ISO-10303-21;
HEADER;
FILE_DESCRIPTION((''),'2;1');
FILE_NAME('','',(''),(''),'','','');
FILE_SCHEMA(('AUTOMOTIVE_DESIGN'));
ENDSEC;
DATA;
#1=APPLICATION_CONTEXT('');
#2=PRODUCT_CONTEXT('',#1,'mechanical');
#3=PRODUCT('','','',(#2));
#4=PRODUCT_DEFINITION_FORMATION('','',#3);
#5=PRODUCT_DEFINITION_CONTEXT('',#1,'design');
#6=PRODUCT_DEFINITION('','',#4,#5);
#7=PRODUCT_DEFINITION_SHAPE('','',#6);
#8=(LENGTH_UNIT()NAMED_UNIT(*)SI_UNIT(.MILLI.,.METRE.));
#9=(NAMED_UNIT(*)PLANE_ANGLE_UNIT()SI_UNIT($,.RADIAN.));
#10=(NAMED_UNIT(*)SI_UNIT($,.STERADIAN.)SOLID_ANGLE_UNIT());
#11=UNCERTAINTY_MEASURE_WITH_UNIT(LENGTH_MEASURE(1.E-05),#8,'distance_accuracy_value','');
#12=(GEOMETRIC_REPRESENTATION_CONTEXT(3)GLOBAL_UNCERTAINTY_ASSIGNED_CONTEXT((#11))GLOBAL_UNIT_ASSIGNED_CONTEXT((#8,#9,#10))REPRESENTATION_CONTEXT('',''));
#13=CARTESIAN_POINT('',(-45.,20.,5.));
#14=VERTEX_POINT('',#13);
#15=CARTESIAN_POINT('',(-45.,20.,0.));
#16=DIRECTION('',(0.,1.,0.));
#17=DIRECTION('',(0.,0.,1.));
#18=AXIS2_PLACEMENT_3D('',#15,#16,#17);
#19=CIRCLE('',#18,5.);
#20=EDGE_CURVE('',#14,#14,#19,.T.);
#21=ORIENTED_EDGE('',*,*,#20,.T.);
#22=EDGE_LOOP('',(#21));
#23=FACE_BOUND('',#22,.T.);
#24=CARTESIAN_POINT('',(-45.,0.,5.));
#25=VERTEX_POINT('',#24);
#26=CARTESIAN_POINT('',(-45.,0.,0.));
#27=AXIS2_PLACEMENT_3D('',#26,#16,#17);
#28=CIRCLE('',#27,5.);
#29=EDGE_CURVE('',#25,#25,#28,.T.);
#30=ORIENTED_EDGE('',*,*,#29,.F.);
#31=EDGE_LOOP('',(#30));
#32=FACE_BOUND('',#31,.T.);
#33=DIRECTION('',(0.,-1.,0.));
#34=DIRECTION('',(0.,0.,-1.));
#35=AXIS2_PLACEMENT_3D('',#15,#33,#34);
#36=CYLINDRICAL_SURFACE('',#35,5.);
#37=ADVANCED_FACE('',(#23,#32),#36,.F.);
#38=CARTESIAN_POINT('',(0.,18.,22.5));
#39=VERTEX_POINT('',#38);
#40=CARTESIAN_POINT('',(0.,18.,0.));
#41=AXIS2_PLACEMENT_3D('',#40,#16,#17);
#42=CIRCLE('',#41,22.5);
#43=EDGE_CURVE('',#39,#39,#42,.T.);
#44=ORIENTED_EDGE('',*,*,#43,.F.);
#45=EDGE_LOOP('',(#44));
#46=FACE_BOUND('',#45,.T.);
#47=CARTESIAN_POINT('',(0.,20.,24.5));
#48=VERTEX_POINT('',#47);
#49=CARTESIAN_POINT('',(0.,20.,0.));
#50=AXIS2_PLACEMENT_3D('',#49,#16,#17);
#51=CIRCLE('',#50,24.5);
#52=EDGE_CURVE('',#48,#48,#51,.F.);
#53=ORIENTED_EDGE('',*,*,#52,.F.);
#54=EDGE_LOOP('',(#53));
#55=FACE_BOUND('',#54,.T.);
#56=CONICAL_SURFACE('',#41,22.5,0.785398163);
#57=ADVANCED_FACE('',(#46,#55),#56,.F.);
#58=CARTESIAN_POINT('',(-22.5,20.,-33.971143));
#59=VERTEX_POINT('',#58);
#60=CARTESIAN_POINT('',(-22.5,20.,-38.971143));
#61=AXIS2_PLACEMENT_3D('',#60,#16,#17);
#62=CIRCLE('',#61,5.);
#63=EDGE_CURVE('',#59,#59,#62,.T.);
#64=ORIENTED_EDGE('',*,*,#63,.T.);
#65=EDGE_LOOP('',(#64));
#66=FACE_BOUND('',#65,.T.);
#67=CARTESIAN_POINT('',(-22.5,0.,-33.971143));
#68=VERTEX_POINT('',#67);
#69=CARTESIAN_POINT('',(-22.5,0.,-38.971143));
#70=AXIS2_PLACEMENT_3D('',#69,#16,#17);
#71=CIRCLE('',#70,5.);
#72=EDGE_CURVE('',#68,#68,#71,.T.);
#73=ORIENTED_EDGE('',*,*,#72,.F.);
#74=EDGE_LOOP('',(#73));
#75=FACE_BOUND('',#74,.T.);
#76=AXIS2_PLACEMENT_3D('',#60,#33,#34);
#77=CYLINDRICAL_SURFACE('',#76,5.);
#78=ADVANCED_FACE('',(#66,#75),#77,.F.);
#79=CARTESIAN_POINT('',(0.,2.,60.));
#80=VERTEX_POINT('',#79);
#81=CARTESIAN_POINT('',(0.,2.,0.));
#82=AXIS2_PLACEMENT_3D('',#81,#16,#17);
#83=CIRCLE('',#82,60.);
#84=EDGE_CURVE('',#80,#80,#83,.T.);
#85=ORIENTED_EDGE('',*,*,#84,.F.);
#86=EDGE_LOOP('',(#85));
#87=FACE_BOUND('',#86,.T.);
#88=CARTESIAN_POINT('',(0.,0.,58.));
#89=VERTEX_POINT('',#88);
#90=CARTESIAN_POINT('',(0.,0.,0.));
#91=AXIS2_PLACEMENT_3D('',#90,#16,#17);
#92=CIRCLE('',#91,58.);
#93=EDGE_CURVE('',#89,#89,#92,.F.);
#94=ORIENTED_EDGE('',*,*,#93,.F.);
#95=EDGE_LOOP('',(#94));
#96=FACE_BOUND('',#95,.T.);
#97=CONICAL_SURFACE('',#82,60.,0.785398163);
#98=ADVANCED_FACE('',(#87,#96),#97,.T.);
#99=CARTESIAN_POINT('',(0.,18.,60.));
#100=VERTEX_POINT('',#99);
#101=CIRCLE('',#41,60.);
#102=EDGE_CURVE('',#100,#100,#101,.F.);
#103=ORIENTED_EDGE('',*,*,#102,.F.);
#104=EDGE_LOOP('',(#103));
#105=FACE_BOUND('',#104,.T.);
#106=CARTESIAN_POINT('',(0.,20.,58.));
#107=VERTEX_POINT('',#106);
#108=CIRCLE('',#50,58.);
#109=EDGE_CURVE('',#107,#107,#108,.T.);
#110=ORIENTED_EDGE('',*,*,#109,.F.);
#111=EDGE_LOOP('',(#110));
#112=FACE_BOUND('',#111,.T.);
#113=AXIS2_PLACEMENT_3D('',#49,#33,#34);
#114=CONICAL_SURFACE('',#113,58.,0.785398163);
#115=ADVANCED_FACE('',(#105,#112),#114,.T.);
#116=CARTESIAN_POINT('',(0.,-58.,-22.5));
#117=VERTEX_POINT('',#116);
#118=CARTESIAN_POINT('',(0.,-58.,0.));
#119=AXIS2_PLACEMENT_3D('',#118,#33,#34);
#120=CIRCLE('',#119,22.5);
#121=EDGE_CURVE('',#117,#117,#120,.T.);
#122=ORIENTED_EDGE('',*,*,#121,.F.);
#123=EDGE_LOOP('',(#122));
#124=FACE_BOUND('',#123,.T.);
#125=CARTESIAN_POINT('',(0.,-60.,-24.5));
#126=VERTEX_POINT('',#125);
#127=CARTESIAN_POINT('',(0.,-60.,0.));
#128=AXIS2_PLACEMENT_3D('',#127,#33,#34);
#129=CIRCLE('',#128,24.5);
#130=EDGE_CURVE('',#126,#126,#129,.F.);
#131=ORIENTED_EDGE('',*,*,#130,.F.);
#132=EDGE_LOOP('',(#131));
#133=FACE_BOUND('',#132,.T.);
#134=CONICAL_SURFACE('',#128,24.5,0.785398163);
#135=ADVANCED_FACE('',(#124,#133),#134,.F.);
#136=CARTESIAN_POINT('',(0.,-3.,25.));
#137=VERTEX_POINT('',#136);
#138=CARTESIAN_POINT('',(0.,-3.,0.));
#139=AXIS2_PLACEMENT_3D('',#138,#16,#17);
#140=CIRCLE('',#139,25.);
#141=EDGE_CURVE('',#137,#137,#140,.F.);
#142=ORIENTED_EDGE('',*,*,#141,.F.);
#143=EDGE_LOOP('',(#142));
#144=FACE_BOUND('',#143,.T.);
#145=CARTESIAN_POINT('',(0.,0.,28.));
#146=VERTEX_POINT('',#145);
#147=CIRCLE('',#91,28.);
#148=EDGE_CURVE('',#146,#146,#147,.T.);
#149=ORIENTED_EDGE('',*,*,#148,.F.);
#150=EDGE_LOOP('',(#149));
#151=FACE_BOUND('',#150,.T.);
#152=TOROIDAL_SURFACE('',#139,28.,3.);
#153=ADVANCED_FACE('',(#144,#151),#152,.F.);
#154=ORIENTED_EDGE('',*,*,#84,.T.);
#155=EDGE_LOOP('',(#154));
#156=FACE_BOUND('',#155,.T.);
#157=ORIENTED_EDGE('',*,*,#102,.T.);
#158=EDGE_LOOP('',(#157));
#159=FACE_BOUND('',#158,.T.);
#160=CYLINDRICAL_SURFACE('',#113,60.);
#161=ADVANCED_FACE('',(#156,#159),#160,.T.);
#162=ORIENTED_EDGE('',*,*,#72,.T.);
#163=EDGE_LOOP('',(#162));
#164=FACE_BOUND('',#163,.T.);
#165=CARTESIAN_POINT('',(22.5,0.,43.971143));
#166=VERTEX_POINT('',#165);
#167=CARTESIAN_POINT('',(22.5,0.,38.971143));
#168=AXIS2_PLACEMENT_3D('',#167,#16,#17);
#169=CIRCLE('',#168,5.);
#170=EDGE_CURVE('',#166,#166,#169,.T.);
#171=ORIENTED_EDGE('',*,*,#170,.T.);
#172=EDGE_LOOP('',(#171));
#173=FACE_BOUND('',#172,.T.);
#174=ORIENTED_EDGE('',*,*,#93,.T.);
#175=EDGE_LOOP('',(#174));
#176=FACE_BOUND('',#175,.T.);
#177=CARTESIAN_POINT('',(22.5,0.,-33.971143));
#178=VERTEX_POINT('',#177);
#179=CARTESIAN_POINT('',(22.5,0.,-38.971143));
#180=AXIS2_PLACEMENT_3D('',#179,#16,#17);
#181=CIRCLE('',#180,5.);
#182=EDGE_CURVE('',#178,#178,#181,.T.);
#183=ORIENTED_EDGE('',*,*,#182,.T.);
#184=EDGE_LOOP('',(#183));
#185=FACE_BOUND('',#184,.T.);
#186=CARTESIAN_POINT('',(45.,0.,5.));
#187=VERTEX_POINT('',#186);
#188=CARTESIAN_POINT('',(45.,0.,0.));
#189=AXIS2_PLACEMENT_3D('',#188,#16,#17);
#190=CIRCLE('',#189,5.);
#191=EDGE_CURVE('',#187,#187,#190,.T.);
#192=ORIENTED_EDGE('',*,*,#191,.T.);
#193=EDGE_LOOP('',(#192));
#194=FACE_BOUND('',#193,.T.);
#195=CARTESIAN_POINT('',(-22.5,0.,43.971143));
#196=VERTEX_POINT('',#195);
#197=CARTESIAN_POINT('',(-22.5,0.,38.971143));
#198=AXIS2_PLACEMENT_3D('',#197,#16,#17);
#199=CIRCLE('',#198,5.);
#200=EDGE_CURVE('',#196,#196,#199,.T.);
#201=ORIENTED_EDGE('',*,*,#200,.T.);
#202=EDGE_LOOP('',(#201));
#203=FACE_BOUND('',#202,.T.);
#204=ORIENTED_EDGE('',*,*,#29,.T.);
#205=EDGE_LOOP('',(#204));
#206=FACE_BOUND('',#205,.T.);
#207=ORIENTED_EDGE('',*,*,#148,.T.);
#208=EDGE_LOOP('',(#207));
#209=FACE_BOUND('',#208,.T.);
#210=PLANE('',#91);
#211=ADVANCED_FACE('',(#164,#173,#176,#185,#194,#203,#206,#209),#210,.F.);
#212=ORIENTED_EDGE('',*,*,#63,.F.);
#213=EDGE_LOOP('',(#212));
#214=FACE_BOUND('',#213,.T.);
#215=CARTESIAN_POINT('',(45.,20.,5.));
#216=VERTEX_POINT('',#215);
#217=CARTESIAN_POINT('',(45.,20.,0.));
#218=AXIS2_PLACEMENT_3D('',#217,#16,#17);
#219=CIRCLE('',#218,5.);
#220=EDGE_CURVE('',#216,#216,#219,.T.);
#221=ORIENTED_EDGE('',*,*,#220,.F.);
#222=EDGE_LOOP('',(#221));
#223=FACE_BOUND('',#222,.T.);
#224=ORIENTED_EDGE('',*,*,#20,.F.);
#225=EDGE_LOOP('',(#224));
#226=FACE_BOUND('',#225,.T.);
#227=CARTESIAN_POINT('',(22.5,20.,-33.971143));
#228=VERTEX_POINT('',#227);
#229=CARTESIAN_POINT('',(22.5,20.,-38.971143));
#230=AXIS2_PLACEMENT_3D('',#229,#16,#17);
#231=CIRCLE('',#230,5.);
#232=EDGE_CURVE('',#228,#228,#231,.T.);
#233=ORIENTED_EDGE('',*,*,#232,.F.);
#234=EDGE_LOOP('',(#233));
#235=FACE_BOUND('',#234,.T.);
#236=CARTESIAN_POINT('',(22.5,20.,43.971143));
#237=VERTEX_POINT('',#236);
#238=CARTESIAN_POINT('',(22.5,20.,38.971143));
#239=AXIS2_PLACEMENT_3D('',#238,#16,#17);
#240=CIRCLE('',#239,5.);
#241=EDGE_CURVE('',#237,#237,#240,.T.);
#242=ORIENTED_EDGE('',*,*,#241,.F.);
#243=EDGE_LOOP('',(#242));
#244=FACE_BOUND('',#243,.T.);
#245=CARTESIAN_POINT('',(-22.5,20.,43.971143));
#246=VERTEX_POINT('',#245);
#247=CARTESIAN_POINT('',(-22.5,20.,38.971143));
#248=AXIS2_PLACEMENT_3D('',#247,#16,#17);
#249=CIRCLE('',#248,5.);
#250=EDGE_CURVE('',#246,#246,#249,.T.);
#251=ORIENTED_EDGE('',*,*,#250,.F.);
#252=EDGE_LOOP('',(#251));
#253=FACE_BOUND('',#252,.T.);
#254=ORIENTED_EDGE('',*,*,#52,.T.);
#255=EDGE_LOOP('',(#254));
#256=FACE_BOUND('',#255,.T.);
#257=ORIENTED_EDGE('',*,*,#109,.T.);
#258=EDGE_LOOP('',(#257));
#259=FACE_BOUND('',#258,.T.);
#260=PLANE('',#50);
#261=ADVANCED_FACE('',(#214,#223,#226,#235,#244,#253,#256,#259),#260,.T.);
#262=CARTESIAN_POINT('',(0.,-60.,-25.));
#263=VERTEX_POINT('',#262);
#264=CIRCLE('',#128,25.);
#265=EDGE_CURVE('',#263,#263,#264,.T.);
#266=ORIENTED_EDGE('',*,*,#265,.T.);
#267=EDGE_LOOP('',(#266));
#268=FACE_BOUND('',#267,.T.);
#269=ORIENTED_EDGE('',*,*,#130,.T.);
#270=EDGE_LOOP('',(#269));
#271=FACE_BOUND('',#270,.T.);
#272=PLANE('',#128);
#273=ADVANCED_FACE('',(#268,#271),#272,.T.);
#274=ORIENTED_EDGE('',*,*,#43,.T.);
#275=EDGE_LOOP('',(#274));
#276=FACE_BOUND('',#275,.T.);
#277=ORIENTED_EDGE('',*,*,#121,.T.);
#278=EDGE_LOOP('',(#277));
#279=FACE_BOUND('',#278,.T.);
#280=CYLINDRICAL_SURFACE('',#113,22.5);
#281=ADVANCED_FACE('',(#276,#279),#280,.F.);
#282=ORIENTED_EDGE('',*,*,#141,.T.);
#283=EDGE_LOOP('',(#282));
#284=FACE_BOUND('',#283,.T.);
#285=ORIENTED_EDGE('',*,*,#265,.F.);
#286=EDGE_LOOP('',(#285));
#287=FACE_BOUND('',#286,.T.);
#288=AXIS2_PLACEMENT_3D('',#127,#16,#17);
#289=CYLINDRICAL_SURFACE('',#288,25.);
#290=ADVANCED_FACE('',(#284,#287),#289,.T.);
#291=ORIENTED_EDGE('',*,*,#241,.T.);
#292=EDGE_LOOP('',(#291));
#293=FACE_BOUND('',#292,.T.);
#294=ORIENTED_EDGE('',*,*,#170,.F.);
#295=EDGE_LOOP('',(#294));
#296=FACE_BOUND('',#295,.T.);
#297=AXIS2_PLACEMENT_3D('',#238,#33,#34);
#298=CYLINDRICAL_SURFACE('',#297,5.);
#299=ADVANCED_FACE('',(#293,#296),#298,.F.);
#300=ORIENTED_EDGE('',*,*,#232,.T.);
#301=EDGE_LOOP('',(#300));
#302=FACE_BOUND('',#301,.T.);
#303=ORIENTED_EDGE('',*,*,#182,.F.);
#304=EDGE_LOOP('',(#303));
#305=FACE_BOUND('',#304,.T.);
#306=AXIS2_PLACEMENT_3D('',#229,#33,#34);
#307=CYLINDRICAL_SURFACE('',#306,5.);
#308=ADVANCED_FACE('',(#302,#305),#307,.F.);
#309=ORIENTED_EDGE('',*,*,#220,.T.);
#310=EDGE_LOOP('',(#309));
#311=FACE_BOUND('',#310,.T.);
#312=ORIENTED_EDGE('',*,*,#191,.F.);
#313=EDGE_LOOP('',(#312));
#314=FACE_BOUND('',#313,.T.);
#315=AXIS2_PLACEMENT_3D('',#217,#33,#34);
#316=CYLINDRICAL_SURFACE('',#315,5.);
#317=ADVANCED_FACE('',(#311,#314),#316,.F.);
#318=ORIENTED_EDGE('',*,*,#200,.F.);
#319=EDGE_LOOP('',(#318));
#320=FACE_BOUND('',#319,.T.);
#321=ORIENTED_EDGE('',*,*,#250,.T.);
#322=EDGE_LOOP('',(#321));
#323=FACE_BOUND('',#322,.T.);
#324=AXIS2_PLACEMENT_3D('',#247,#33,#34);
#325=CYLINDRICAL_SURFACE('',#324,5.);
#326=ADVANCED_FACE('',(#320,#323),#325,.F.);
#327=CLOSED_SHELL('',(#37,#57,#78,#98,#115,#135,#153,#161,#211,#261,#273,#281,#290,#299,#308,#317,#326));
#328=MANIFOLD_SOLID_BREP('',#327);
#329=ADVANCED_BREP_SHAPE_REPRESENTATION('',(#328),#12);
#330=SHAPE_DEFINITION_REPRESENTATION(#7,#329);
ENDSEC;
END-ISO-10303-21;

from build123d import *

# Parameters (mm, degrees)
SKETCH2_R           = 60
SKETCH2_R_2         = 22.5
SKETCH2_R_3         = 5
BOSS_EXTRUDE1_DEPTH = 20
CHAMFER1_SIZE       = 2
CHAMFER2_SIZE       = 2
SKETCH3_R           = 25
BOSS_EXTRUDE2_DEPTH = 60
FILLET1_R           = 3
CUT_EXTRUDE1_START  = -60
SKETCH2_2_R         = 22.5
CUT_EXTRUDE1_DEPTH  = 60
CHAMFER3_SIZE       = 2
CHAMFER4_SIZE       = 2


with BuildPart() as part:
    # Sketch2 → Boss-Extrude1 (new body)
    with BuildSketch(Plane(origin=(0, 0, 0), x_dir=(1, 0, 0), z_dir=(0, 1, 0))):
        Circle(SKETCH2_R)
        Circle(SKETCH2_R_2, mode=Mode.SUBTRACT)
        with Locations((45, 0)):
            Circle(SKETCH2_R_3, mode=Mode.SUBTRACT)
        with Locations((22.5, -38.97114317)):
            Circle(SKETCH2_R_3, mode=Mode.SUBTRACT)
        with Locations((-22.5, -38.97114317)):
            Circle(SKETCH2_R_3, mode=Mode.SUBTRACT)
        with Locations((-45, 0)):
            Circle(SKETCH2_R_3, mode=Mode.SUBTRACT)
        with Locations((-22.5, 38.97114317)):
            Circle(SKETCH2_R_3, mode=Mode.SUBTRACT)
        with Locations((22.5, 38.97114317)):
            Circle(SKETCH2_R_3, mode=Mode.SUBTRACT)
    extrude(amount=BOSS_EXTRUDE1_DEPTH)

    # Chamfer1
    chamfer1_edges = [part.edges().sort_by_distance(p)[0] for p in [
        (-60, 20, 0),
    ]]
    chamfer(chamfer1_edges, length=CHAMFER1_SIZE)

    # Chamfer2
    chamfer2_edges = [part.edges().sort_by_distance(p)[0] for p in [
        (-22.5, 20, 0),
    ]]
    chamfer(chamfer2_edges, length=CHAMFER2_SIZE)

    # Sketch3 → Boss-Extrude2 (add)
    with BuildSketch(Plane(origin=(0, 0, 0), x_dir=(-1, 0, 0), z_dir=(0, -1, 0))):
        Circle(SKETCH3_R)
    extrude(amount=BOSS_EXTRUDE2_DEPTH)

    # Fillet1
    fillet1_edges = [part.edges().sort_by_distance(p)[0] for p in [
        (25, 0, 0),
    ]]
    fillet(fillet1_edges, radius=FILLET1_R)

    # Sketch2<2> → Cut-Extrude1 (cut)
    with BuildSketch(Plane(origin=(0, 0, 0), x_dir=(1, 0, 0), z_dir=(0, 1, 0)).offset(CUT_EXTRUDE1_START)):
        Circle(SKETCH2_2_R)
    extrude(amount=CUT_EXTRUDE1_DEPTH, mode=Mode.SUBTRACT)

    # Chamfer3
    chamfer3_edges = [part.edges().sort_by_distance(p)[0] for p in [
        (-22.5, -60, 0),
    ]]
    chamfer(chamfer3_edges, length=CHAMFER3_SIZE)

    # Chamfer4
    chamfer4_edges = [part.edges().sort_by_distance(p)[0] for p in [
        (-60, 0, 0),
    ]]
    chamfer(chamfer4_edges, length=CHAMFER4_SIZE)


solid = part.part
